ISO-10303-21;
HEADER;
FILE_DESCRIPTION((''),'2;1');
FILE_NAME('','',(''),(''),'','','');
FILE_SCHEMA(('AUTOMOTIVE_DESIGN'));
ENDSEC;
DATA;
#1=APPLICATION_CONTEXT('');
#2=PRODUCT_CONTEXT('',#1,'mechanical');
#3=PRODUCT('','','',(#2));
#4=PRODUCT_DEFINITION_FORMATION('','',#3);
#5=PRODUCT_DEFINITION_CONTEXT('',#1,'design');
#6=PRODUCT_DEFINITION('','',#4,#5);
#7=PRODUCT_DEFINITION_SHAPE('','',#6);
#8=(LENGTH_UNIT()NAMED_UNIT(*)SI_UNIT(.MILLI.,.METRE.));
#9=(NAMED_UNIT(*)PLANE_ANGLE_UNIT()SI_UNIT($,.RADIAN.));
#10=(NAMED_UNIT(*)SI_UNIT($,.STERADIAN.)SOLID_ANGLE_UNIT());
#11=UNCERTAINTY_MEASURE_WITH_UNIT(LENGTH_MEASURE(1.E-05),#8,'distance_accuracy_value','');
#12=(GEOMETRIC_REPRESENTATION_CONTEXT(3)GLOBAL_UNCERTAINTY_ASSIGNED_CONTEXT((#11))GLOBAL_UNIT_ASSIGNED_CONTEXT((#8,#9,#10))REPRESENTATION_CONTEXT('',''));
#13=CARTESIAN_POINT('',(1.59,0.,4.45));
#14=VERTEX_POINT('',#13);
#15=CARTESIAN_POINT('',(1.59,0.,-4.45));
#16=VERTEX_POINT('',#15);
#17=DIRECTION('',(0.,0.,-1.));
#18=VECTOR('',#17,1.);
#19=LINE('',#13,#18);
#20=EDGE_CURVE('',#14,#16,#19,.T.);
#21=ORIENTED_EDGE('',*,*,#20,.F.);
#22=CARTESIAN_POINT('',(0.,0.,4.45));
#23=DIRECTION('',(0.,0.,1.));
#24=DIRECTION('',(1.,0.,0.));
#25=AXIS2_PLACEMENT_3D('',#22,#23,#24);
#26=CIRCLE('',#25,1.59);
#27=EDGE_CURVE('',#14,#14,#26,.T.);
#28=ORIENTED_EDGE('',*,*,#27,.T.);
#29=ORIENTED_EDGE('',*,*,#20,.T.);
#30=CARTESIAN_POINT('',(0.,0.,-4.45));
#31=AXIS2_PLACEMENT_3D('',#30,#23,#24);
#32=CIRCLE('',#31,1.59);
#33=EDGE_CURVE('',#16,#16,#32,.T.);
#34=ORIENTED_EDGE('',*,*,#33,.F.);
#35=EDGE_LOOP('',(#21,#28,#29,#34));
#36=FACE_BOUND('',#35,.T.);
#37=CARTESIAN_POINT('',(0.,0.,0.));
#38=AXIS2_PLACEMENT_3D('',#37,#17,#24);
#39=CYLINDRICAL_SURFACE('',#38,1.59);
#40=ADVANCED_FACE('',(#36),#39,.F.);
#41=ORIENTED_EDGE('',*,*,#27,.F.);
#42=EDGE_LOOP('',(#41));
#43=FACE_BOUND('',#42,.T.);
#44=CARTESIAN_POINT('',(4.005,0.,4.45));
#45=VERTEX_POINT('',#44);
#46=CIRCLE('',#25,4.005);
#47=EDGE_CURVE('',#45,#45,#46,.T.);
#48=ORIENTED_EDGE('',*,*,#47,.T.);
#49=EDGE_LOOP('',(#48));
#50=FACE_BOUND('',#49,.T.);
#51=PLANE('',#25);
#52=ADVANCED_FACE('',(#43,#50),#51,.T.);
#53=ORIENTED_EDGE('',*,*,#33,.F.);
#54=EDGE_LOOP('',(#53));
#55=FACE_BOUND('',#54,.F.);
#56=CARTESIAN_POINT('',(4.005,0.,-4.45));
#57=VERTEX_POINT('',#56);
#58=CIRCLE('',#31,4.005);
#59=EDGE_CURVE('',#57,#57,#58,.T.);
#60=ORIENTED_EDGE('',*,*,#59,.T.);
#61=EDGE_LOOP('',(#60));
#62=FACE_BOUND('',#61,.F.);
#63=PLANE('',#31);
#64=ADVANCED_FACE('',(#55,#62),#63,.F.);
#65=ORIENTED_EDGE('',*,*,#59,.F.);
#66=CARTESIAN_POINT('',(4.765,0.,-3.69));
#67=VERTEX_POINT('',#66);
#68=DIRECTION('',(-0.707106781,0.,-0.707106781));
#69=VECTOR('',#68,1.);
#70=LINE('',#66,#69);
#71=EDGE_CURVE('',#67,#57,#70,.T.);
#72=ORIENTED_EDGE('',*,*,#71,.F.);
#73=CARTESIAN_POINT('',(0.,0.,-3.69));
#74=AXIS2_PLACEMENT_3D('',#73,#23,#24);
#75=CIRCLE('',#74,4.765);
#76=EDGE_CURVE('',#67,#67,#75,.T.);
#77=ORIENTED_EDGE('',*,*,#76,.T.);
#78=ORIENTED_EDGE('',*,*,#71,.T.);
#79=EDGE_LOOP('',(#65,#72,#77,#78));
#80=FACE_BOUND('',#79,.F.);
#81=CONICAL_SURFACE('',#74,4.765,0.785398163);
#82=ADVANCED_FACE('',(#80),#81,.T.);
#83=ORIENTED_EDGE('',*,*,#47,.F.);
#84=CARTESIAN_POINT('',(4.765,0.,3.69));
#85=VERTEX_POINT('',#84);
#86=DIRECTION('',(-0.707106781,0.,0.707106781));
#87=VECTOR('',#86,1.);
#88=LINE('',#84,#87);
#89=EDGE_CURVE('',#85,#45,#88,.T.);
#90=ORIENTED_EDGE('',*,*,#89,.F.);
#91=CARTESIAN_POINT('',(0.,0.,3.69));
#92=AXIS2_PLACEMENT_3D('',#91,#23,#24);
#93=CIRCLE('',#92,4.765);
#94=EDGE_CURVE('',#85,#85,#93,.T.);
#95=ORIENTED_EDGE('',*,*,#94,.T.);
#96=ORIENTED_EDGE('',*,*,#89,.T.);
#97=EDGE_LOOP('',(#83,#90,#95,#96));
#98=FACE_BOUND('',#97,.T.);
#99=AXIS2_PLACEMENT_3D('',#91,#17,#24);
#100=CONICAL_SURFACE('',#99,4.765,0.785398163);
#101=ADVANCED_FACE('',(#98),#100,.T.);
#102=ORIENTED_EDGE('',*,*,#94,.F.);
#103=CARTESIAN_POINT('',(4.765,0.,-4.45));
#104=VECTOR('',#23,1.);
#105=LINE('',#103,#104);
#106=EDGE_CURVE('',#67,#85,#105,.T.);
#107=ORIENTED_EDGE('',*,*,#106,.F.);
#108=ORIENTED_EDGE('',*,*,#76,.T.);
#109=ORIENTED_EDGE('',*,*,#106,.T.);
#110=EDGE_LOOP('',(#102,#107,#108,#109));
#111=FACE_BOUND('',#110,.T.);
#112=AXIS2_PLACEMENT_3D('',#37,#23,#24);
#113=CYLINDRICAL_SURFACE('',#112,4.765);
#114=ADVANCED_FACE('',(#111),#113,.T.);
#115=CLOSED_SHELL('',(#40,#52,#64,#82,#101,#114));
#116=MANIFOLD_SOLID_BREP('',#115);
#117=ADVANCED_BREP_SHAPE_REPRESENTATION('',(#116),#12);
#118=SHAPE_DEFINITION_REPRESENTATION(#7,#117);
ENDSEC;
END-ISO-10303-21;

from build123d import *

# Parameters (mm, degrees)
SKETCH1_R           = 4.765
SKETCH1_R_2         = 1.59
BOSS_EXTRUDE1_DEPTH = 4.45
CHAMFER1_SIZE       = 0.76


with BuildPart() as part:
    # Sketch1 → Boss-Extrude1 (new body, symmetric)
    with BuildSketch(Plane.XY):
        Circle(SKETCH1_R)
        Circle(SKETCH1_R_2, mode=Mode.SUBTRACT)
    extrude(amount=BOSS_EXTRUDE1_DEPTH, both=True)

    # Chamfer1
    chamfer1_edges = [part.edges().sort_by_distance(p)[0] for p in [
        (-4.765, 0, -4.45),
        (-4.765, 0, 4.45),
    ]]
    chamfer(chamfer1_edges, length=CHAMFER1_SIZE)


solid = part.part
